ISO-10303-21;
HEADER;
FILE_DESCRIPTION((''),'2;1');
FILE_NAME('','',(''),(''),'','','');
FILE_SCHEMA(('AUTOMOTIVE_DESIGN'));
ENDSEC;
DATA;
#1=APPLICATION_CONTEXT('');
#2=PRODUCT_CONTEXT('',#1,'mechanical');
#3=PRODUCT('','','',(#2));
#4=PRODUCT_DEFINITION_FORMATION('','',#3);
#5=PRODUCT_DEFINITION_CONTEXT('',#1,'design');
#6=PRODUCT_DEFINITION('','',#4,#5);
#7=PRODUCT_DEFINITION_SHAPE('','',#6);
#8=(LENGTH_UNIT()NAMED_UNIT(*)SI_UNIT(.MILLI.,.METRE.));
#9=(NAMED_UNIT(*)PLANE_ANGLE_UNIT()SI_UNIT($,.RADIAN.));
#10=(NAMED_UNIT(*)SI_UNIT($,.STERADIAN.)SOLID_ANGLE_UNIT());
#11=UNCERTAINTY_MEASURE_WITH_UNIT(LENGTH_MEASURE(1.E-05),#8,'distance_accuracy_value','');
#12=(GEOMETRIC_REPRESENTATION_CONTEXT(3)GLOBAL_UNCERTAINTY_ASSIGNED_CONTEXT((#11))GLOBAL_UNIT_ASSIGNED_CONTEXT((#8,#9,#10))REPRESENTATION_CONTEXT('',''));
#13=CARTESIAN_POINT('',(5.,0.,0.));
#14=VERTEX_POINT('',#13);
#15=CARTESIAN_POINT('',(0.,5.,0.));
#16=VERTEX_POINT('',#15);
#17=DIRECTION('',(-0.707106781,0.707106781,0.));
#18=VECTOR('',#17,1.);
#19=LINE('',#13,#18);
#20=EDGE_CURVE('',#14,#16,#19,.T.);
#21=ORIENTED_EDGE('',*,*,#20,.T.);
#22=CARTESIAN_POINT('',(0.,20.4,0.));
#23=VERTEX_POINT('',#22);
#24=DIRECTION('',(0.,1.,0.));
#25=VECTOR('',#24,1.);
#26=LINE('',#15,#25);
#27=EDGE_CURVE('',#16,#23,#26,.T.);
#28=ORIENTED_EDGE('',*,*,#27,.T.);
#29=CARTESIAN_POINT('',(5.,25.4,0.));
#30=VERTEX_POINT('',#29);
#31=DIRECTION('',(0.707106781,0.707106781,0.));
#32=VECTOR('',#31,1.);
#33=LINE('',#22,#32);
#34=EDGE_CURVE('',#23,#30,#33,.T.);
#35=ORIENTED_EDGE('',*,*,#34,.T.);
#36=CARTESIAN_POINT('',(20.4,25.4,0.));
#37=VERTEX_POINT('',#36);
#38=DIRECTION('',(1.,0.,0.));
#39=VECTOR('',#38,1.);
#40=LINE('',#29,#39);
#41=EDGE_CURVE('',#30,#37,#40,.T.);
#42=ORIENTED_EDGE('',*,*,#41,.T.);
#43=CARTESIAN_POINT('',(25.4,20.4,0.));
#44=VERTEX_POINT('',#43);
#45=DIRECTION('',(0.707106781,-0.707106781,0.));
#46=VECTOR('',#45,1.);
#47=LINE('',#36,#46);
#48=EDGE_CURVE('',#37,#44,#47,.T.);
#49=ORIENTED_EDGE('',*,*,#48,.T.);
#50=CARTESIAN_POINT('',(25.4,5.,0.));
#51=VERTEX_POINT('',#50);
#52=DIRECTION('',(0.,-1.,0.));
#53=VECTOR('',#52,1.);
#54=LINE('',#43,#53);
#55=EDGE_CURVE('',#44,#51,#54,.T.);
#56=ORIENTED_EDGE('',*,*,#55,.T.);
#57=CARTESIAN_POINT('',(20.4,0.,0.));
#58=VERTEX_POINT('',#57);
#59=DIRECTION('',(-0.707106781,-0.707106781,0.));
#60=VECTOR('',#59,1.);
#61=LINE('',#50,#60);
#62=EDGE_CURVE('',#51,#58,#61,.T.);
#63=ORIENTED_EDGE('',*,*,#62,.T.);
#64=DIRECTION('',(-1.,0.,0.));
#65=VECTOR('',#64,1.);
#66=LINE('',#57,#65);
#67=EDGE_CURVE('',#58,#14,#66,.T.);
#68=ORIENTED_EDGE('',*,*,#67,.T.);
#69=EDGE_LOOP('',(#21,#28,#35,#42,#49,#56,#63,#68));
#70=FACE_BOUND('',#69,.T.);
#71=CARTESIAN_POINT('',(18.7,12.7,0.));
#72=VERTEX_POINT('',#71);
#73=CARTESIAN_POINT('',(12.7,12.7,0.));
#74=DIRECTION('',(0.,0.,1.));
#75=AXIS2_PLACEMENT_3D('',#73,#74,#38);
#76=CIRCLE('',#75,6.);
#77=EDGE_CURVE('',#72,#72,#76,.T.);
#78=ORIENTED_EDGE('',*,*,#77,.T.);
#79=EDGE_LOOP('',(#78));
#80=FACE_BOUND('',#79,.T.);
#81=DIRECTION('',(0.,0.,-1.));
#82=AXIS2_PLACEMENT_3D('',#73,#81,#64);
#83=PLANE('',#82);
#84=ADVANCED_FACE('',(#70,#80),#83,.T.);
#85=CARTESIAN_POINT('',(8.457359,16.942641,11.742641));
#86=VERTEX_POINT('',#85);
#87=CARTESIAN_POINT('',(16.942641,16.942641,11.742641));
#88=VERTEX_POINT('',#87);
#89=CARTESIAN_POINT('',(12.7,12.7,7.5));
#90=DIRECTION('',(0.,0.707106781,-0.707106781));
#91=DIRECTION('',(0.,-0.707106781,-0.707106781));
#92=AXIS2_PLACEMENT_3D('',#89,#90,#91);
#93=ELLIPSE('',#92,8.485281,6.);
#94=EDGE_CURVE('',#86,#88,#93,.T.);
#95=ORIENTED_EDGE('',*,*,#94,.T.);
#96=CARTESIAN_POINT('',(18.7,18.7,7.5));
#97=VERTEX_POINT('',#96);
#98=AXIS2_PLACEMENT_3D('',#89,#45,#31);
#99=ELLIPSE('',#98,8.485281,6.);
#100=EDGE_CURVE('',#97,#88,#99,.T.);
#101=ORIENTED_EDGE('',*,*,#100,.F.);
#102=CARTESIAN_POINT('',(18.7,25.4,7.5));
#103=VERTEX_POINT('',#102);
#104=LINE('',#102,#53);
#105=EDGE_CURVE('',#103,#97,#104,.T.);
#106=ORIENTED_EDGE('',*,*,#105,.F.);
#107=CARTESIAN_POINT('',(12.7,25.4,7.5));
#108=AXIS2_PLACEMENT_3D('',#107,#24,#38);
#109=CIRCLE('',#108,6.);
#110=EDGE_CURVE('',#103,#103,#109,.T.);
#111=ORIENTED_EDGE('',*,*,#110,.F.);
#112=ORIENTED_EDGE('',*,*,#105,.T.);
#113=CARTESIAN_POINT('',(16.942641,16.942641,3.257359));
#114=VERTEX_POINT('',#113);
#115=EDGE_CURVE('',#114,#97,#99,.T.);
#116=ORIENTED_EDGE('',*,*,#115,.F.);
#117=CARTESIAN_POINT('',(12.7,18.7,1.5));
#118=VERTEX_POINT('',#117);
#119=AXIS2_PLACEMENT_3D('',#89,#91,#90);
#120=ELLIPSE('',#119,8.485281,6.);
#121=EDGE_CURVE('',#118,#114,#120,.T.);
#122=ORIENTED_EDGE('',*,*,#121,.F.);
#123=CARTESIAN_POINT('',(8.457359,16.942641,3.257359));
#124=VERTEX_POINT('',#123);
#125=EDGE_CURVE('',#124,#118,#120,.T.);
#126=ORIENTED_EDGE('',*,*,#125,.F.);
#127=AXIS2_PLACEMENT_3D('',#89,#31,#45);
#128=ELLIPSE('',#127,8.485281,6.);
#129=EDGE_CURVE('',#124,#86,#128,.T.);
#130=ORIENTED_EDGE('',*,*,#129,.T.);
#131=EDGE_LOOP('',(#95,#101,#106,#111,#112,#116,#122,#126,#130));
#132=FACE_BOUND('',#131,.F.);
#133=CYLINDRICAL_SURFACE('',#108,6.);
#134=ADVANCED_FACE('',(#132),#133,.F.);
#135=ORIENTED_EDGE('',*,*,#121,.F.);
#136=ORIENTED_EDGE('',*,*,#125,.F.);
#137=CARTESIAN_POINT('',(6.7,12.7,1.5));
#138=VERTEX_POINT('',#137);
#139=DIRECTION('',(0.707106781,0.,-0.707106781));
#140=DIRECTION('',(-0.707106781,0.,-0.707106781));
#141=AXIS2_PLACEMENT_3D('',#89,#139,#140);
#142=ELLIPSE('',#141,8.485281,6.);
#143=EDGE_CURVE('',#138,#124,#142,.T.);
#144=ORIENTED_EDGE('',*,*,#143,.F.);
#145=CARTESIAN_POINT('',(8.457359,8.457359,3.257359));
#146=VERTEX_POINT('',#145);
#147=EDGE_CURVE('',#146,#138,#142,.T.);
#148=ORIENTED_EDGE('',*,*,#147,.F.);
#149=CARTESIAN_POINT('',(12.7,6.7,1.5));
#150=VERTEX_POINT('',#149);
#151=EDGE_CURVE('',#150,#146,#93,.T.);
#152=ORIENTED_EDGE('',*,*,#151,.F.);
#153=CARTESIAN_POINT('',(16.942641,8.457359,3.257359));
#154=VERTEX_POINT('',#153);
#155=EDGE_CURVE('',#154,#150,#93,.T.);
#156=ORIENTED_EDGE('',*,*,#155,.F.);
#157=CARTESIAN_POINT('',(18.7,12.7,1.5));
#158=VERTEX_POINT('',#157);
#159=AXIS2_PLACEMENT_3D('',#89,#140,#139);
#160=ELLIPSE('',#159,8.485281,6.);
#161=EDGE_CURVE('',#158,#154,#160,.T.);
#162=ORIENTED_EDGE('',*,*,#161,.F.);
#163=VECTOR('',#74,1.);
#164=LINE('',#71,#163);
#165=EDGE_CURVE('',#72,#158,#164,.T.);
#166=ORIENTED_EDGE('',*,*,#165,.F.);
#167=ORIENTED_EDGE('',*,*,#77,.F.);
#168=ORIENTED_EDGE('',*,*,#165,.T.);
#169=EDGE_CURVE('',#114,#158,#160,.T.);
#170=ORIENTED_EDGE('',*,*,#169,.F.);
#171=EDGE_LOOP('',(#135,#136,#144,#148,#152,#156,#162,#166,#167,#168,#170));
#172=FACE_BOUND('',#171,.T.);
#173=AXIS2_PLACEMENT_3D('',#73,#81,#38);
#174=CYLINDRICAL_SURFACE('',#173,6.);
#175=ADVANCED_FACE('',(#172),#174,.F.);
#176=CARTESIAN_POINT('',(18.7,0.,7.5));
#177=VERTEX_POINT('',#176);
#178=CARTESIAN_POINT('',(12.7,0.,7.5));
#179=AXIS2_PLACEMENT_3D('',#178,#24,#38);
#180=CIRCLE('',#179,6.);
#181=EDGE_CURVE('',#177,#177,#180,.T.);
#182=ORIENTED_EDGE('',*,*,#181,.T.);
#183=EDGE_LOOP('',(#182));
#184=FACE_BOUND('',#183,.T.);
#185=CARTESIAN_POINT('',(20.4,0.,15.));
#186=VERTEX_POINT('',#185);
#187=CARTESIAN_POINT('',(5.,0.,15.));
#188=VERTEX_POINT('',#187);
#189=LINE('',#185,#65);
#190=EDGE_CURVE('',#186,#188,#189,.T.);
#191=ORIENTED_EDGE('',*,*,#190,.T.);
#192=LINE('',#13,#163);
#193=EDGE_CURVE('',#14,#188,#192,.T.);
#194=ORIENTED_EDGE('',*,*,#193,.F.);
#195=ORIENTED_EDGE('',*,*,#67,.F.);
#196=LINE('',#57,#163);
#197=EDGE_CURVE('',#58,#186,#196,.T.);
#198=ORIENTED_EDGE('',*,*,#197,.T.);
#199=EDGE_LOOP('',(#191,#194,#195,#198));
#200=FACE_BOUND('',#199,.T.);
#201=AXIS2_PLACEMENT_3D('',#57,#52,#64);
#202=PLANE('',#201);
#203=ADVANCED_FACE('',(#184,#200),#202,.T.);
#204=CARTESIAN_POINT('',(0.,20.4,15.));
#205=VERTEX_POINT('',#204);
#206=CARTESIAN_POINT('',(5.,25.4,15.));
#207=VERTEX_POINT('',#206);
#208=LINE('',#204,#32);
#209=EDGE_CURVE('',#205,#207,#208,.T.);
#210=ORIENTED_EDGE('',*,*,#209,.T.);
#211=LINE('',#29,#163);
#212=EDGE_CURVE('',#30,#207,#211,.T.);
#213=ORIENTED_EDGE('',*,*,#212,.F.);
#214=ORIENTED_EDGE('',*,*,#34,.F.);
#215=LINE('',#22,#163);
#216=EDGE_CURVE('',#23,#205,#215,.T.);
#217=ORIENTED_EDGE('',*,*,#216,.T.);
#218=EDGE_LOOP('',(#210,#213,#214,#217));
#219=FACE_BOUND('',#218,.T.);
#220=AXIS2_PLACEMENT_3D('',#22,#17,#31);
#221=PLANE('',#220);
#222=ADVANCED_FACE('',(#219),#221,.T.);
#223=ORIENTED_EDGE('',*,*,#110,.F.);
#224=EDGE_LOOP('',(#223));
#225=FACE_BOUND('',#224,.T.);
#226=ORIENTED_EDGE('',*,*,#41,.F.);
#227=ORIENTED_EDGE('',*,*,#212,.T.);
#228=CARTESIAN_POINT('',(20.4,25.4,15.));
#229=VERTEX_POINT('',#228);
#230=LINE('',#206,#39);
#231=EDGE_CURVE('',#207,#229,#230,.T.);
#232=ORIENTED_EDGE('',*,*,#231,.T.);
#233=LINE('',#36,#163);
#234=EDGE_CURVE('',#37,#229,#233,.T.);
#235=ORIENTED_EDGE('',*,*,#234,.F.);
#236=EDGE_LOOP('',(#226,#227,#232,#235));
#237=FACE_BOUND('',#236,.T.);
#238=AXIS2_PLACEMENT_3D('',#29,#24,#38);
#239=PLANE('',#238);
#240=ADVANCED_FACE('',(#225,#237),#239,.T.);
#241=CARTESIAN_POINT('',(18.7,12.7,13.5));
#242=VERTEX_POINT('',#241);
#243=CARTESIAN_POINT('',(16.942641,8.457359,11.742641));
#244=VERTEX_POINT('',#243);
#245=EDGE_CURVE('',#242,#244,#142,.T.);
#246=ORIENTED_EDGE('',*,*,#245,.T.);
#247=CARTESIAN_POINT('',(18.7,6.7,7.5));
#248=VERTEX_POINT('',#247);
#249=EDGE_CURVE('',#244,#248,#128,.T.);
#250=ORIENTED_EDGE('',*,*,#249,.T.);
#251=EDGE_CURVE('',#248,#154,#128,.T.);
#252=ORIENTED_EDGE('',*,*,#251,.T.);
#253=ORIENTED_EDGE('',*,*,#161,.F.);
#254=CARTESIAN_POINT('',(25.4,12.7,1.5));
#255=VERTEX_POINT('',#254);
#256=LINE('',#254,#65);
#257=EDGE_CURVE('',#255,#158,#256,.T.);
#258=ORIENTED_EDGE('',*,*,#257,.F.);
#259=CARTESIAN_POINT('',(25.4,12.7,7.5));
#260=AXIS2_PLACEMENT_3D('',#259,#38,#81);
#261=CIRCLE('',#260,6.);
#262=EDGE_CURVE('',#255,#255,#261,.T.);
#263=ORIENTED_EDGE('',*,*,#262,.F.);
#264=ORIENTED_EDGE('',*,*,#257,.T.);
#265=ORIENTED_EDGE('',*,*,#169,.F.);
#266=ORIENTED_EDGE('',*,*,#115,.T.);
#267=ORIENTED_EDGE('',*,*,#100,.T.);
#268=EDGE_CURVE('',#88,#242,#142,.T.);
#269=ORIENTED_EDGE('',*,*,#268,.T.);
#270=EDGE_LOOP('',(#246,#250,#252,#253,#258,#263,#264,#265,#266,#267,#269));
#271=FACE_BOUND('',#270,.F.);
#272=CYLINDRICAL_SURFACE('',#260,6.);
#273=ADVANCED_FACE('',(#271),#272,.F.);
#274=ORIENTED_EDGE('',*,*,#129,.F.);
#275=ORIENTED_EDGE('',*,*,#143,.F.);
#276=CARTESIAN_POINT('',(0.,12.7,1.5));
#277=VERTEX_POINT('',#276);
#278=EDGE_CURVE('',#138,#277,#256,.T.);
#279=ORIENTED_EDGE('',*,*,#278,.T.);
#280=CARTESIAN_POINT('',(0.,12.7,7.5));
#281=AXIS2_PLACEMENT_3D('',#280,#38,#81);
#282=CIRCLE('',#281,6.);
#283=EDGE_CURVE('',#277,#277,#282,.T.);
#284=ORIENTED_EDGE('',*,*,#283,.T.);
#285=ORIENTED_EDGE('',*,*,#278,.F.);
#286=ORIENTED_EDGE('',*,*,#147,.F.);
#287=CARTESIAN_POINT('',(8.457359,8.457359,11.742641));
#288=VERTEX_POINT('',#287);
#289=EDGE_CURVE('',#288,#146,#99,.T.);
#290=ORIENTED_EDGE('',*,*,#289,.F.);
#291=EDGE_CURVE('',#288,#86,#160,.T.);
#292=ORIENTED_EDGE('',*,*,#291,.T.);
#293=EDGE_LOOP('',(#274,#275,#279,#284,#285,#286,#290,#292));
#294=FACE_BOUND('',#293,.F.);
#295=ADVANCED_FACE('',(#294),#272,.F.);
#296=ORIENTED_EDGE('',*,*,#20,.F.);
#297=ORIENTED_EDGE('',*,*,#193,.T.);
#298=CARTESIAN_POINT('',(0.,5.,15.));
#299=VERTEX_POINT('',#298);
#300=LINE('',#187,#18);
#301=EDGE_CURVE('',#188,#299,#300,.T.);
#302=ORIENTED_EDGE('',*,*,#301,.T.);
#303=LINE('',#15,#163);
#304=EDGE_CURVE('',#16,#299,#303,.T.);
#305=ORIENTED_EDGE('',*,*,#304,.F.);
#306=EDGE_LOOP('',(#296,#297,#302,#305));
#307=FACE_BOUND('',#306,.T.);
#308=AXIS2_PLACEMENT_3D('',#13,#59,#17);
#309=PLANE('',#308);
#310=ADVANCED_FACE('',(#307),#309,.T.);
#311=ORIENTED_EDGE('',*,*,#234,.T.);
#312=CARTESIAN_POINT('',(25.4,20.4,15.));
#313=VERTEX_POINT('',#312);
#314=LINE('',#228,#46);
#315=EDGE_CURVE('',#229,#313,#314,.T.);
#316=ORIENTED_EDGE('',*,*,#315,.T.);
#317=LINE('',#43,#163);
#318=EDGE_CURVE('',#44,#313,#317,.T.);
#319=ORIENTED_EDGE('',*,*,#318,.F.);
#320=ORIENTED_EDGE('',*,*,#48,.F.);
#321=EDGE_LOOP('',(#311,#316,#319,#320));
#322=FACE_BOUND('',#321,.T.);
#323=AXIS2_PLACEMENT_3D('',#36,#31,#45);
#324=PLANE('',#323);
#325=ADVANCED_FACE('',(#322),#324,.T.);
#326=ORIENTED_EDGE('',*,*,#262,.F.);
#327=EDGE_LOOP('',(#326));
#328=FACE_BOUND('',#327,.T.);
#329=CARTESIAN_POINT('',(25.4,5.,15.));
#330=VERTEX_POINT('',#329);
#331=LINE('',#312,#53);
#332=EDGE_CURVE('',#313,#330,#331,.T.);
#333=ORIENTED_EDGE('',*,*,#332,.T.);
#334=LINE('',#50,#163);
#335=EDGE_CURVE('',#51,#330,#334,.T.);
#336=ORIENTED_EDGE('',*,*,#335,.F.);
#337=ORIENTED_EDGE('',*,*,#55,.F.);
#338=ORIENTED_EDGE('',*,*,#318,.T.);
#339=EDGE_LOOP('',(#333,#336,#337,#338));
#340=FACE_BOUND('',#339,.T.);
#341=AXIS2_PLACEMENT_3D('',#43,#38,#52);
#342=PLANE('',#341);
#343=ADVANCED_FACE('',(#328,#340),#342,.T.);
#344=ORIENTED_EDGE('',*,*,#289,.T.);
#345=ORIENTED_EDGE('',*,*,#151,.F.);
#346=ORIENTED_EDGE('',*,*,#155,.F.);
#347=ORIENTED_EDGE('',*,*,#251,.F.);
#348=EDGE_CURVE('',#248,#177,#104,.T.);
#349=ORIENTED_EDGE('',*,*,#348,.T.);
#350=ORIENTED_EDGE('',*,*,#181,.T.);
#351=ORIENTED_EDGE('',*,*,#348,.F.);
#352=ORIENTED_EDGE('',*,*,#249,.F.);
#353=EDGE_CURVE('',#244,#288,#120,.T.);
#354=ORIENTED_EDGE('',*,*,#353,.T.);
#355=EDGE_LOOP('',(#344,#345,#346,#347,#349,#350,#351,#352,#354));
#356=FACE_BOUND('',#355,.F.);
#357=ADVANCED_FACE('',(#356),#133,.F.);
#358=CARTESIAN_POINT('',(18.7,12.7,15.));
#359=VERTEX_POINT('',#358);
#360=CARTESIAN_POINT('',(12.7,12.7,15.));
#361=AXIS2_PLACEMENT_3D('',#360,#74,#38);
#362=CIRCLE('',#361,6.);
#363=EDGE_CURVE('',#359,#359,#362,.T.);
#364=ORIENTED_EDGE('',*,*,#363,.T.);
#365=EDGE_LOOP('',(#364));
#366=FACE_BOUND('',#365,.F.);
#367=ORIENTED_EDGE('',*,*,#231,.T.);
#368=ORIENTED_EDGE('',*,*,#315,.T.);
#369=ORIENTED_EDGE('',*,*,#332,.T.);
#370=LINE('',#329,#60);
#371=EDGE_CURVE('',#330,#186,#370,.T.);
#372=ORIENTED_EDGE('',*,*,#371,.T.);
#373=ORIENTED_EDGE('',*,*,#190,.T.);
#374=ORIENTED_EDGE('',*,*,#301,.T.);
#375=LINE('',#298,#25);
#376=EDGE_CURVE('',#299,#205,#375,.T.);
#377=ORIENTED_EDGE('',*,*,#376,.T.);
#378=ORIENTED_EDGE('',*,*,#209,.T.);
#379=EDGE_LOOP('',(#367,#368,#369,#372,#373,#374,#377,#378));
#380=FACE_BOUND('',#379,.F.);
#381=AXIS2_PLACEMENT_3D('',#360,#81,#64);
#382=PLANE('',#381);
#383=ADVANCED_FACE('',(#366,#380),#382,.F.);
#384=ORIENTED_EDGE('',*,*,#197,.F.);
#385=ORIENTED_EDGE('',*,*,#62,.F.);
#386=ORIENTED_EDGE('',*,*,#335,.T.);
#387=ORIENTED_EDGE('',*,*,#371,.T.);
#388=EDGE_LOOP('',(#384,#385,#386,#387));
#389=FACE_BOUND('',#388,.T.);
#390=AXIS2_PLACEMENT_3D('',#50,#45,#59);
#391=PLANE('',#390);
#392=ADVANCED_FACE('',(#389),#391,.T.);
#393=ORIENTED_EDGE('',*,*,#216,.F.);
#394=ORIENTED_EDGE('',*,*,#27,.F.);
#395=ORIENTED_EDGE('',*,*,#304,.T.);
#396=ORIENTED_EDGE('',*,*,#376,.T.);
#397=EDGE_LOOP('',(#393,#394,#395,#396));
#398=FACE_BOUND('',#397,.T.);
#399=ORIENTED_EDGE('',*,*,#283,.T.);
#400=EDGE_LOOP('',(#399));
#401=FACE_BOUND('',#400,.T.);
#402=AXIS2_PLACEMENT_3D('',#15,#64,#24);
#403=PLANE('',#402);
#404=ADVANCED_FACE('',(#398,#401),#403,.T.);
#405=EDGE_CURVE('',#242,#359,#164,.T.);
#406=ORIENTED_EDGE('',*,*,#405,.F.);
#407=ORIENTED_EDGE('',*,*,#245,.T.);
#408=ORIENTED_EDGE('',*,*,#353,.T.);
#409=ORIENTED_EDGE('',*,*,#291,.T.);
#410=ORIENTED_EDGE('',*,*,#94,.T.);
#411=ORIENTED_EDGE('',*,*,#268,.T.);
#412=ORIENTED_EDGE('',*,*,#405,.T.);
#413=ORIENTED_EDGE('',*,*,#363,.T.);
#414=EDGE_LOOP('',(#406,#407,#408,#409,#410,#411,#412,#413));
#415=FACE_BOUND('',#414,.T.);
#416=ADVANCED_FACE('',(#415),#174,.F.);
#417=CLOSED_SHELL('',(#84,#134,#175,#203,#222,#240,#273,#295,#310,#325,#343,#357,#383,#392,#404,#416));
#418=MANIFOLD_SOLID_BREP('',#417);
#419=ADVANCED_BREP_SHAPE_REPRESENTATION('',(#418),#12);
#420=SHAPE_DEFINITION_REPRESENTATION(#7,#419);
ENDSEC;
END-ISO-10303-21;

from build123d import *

# Parameters (mm, degrees)
SKETCH2_R           = 6
BOSS_EXTRUDE1_DEPTH = 15
SKETCH3_R           = 6
CUT_EXTRUDE1_DEPTH  = 27
SKETCH4_R           = 6
CUT_EXTRUDE2_DEPTH  = 27


with BuildPart() as part:
    # Sketch2 → Boss-Extrude1 (new body)
    with BuildSketch(Plane.XY):
        Polygon((0, 20.4), (5, 25.4), (20.4, 25.4), (25.4, 20.4), (25.4, 5), (20.4, 0), (5, 0), (0, 5), align=None)
        with Locations((12.7, 12.7)):
            Circle(SKETCH2_R, mode=Mode.SUBTRACT)
    extrude(amount=BOSS_EXTRUDE1_DEPTH)

    # Sketch3 → Cut-Extrude1 (cut)
    with BuildSketch(Plane(origin=(25.4, 0, 0), x_dir=(0, 0, -1), z_dir=(1, 0, 0))):
        with Locations((-7.5, 12.7)):
            Circle(SKETCH3_R)
    extrude(amount=-CUT_EXTRUDE1_DEPTH, mode=Mode.SUBTRACT)

    # Sketch4 → Cut-Extrude2 (cut)
    with BuildSketch(Plane(origin=(0, 25.4, 0), x_dir=(1, 0, 0), z_dir=(0, 1, 0))):
        with Locations((12.7, -7.5)):
            Circle(SKETCH4_R)
    extrude(amount=-CUT_EXTRUDE2_DEPTH, mode=Mode.SUBTRACT)


solid = part.part
